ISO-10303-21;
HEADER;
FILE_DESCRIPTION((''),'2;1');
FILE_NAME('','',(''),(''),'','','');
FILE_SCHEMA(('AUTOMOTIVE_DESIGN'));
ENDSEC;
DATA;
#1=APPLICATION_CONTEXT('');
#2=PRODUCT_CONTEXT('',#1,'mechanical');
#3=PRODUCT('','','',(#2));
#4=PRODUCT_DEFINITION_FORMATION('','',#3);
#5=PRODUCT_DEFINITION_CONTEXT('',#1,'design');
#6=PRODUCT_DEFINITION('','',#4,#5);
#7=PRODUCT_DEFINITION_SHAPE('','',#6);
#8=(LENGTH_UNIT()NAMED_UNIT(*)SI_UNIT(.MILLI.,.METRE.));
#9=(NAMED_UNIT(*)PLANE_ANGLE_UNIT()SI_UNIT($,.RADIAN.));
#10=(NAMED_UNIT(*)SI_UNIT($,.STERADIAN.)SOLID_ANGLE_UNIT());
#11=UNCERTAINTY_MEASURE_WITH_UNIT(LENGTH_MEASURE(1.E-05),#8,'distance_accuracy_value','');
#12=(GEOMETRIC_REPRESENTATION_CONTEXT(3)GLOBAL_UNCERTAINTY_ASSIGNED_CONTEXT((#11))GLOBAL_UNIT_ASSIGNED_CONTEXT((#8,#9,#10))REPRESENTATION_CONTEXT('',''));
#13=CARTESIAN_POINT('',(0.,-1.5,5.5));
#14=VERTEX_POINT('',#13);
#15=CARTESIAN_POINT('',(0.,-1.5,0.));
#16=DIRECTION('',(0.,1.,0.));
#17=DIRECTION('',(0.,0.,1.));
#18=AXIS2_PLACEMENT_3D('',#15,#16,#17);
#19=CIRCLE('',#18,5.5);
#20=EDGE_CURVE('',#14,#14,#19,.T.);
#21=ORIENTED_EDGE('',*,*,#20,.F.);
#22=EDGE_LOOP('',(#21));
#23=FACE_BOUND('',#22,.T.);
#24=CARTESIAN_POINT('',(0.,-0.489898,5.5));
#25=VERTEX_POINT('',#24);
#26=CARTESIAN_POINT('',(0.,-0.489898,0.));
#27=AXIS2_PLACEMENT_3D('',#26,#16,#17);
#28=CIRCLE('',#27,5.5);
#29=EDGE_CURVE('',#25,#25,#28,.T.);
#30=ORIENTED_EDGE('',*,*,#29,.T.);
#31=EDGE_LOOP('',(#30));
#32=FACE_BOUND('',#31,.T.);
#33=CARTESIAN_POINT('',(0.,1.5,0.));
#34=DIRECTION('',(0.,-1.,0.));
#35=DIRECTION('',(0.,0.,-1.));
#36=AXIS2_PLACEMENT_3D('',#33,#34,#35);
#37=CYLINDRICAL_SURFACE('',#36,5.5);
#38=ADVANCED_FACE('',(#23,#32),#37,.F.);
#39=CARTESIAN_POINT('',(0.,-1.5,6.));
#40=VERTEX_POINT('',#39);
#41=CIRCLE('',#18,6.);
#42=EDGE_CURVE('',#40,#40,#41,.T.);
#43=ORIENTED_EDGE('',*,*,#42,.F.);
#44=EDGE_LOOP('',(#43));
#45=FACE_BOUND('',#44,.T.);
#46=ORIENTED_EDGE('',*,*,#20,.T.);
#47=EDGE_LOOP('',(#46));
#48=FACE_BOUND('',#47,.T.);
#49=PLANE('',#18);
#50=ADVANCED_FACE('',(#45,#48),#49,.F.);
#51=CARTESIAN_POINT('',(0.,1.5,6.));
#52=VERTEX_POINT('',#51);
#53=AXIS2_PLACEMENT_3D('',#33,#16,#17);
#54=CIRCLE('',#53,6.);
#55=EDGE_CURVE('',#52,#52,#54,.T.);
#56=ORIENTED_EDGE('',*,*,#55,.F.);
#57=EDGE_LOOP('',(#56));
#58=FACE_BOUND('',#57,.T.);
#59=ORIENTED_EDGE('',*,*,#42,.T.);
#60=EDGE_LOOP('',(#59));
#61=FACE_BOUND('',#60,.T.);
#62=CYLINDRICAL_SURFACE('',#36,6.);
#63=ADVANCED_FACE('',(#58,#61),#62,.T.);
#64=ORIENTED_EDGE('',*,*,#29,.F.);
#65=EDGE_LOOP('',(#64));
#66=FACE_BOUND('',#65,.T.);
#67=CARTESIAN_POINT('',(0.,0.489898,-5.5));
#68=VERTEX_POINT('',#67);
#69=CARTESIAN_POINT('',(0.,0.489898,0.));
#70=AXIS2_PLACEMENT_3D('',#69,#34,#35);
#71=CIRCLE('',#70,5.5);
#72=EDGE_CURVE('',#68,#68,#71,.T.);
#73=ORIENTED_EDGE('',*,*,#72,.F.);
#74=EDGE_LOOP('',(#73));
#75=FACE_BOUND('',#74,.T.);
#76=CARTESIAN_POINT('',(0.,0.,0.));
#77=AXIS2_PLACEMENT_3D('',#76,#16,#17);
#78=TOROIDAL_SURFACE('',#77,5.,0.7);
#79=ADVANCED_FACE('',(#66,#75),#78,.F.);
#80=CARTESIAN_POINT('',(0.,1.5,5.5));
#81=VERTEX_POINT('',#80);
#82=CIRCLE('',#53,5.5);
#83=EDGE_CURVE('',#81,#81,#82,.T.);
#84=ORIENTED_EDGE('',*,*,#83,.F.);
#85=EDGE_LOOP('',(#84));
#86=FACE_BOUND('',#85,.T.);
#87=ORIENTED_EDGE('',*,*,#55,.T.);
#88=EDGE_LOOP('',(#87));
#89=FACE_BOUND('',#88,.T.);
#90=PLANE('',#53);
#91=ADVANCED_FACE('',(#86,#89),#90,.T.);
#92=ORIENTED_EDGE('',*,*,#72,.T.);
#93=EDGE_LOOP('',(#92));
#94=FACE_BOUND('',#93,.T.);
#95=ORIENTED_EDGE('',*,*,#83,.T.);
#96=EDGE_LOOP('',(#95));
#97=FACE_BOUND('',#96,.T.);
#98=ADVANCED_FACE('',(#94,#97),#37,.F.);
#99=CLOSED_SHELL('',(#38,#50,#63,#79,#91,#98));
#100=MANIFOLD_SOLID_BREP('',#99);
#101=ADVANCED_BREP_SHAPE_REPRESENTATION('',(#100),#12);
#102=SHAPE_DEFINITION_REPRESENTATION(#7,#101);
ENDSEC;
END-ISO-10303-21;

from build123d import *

# Parameters (mm, degrees)
DIAPROFILES_R         = 6
DIAPROFILES_R_2       = 5.5
DIAPROFILE_DEPTH      = 1.5
BEARINGPATHPROFILES_R = 0.7


with BuildPart() as part:
    # DiaProfileS → DiaProfile (new, symmetric)
    with BuildSketch(Plane(origin=(0, 0, 0), x_dir=(1, 0, 0), z_dir=(0, 1, 0))):
        with Locations(Location((0, 0, 0), (0, 0, 270))):
            Circle(DIAPROFILES_R)
        with Locations(Location((0, 0, 0), (0, 0, 270))):
            Circle(DIAPROFILES_R_2, mode=Mode.SUBTRACT)
    extrude(amount=DIAPROFILE_DEPTH, both=True)

    # BearingPathProfileS → BearingPathProfile (revolve, cut)
    with BuildSketch(Plane.XY, mode=Mode.PRIVATE) as bearingpathprofile_sk:
        with Locations((5, 0)):
            Circle(BEARINGPATHPROFILES_R)
    revolve(bearingpathprofile_sk.sketch.rotate(Axis((0, 1.5, 0), (0, -1, 0)), 90), axis=Axis((0, 1.5, 0), (0, -1, 0)), mode=Mode.SUBTRACT)


solid = part.part
